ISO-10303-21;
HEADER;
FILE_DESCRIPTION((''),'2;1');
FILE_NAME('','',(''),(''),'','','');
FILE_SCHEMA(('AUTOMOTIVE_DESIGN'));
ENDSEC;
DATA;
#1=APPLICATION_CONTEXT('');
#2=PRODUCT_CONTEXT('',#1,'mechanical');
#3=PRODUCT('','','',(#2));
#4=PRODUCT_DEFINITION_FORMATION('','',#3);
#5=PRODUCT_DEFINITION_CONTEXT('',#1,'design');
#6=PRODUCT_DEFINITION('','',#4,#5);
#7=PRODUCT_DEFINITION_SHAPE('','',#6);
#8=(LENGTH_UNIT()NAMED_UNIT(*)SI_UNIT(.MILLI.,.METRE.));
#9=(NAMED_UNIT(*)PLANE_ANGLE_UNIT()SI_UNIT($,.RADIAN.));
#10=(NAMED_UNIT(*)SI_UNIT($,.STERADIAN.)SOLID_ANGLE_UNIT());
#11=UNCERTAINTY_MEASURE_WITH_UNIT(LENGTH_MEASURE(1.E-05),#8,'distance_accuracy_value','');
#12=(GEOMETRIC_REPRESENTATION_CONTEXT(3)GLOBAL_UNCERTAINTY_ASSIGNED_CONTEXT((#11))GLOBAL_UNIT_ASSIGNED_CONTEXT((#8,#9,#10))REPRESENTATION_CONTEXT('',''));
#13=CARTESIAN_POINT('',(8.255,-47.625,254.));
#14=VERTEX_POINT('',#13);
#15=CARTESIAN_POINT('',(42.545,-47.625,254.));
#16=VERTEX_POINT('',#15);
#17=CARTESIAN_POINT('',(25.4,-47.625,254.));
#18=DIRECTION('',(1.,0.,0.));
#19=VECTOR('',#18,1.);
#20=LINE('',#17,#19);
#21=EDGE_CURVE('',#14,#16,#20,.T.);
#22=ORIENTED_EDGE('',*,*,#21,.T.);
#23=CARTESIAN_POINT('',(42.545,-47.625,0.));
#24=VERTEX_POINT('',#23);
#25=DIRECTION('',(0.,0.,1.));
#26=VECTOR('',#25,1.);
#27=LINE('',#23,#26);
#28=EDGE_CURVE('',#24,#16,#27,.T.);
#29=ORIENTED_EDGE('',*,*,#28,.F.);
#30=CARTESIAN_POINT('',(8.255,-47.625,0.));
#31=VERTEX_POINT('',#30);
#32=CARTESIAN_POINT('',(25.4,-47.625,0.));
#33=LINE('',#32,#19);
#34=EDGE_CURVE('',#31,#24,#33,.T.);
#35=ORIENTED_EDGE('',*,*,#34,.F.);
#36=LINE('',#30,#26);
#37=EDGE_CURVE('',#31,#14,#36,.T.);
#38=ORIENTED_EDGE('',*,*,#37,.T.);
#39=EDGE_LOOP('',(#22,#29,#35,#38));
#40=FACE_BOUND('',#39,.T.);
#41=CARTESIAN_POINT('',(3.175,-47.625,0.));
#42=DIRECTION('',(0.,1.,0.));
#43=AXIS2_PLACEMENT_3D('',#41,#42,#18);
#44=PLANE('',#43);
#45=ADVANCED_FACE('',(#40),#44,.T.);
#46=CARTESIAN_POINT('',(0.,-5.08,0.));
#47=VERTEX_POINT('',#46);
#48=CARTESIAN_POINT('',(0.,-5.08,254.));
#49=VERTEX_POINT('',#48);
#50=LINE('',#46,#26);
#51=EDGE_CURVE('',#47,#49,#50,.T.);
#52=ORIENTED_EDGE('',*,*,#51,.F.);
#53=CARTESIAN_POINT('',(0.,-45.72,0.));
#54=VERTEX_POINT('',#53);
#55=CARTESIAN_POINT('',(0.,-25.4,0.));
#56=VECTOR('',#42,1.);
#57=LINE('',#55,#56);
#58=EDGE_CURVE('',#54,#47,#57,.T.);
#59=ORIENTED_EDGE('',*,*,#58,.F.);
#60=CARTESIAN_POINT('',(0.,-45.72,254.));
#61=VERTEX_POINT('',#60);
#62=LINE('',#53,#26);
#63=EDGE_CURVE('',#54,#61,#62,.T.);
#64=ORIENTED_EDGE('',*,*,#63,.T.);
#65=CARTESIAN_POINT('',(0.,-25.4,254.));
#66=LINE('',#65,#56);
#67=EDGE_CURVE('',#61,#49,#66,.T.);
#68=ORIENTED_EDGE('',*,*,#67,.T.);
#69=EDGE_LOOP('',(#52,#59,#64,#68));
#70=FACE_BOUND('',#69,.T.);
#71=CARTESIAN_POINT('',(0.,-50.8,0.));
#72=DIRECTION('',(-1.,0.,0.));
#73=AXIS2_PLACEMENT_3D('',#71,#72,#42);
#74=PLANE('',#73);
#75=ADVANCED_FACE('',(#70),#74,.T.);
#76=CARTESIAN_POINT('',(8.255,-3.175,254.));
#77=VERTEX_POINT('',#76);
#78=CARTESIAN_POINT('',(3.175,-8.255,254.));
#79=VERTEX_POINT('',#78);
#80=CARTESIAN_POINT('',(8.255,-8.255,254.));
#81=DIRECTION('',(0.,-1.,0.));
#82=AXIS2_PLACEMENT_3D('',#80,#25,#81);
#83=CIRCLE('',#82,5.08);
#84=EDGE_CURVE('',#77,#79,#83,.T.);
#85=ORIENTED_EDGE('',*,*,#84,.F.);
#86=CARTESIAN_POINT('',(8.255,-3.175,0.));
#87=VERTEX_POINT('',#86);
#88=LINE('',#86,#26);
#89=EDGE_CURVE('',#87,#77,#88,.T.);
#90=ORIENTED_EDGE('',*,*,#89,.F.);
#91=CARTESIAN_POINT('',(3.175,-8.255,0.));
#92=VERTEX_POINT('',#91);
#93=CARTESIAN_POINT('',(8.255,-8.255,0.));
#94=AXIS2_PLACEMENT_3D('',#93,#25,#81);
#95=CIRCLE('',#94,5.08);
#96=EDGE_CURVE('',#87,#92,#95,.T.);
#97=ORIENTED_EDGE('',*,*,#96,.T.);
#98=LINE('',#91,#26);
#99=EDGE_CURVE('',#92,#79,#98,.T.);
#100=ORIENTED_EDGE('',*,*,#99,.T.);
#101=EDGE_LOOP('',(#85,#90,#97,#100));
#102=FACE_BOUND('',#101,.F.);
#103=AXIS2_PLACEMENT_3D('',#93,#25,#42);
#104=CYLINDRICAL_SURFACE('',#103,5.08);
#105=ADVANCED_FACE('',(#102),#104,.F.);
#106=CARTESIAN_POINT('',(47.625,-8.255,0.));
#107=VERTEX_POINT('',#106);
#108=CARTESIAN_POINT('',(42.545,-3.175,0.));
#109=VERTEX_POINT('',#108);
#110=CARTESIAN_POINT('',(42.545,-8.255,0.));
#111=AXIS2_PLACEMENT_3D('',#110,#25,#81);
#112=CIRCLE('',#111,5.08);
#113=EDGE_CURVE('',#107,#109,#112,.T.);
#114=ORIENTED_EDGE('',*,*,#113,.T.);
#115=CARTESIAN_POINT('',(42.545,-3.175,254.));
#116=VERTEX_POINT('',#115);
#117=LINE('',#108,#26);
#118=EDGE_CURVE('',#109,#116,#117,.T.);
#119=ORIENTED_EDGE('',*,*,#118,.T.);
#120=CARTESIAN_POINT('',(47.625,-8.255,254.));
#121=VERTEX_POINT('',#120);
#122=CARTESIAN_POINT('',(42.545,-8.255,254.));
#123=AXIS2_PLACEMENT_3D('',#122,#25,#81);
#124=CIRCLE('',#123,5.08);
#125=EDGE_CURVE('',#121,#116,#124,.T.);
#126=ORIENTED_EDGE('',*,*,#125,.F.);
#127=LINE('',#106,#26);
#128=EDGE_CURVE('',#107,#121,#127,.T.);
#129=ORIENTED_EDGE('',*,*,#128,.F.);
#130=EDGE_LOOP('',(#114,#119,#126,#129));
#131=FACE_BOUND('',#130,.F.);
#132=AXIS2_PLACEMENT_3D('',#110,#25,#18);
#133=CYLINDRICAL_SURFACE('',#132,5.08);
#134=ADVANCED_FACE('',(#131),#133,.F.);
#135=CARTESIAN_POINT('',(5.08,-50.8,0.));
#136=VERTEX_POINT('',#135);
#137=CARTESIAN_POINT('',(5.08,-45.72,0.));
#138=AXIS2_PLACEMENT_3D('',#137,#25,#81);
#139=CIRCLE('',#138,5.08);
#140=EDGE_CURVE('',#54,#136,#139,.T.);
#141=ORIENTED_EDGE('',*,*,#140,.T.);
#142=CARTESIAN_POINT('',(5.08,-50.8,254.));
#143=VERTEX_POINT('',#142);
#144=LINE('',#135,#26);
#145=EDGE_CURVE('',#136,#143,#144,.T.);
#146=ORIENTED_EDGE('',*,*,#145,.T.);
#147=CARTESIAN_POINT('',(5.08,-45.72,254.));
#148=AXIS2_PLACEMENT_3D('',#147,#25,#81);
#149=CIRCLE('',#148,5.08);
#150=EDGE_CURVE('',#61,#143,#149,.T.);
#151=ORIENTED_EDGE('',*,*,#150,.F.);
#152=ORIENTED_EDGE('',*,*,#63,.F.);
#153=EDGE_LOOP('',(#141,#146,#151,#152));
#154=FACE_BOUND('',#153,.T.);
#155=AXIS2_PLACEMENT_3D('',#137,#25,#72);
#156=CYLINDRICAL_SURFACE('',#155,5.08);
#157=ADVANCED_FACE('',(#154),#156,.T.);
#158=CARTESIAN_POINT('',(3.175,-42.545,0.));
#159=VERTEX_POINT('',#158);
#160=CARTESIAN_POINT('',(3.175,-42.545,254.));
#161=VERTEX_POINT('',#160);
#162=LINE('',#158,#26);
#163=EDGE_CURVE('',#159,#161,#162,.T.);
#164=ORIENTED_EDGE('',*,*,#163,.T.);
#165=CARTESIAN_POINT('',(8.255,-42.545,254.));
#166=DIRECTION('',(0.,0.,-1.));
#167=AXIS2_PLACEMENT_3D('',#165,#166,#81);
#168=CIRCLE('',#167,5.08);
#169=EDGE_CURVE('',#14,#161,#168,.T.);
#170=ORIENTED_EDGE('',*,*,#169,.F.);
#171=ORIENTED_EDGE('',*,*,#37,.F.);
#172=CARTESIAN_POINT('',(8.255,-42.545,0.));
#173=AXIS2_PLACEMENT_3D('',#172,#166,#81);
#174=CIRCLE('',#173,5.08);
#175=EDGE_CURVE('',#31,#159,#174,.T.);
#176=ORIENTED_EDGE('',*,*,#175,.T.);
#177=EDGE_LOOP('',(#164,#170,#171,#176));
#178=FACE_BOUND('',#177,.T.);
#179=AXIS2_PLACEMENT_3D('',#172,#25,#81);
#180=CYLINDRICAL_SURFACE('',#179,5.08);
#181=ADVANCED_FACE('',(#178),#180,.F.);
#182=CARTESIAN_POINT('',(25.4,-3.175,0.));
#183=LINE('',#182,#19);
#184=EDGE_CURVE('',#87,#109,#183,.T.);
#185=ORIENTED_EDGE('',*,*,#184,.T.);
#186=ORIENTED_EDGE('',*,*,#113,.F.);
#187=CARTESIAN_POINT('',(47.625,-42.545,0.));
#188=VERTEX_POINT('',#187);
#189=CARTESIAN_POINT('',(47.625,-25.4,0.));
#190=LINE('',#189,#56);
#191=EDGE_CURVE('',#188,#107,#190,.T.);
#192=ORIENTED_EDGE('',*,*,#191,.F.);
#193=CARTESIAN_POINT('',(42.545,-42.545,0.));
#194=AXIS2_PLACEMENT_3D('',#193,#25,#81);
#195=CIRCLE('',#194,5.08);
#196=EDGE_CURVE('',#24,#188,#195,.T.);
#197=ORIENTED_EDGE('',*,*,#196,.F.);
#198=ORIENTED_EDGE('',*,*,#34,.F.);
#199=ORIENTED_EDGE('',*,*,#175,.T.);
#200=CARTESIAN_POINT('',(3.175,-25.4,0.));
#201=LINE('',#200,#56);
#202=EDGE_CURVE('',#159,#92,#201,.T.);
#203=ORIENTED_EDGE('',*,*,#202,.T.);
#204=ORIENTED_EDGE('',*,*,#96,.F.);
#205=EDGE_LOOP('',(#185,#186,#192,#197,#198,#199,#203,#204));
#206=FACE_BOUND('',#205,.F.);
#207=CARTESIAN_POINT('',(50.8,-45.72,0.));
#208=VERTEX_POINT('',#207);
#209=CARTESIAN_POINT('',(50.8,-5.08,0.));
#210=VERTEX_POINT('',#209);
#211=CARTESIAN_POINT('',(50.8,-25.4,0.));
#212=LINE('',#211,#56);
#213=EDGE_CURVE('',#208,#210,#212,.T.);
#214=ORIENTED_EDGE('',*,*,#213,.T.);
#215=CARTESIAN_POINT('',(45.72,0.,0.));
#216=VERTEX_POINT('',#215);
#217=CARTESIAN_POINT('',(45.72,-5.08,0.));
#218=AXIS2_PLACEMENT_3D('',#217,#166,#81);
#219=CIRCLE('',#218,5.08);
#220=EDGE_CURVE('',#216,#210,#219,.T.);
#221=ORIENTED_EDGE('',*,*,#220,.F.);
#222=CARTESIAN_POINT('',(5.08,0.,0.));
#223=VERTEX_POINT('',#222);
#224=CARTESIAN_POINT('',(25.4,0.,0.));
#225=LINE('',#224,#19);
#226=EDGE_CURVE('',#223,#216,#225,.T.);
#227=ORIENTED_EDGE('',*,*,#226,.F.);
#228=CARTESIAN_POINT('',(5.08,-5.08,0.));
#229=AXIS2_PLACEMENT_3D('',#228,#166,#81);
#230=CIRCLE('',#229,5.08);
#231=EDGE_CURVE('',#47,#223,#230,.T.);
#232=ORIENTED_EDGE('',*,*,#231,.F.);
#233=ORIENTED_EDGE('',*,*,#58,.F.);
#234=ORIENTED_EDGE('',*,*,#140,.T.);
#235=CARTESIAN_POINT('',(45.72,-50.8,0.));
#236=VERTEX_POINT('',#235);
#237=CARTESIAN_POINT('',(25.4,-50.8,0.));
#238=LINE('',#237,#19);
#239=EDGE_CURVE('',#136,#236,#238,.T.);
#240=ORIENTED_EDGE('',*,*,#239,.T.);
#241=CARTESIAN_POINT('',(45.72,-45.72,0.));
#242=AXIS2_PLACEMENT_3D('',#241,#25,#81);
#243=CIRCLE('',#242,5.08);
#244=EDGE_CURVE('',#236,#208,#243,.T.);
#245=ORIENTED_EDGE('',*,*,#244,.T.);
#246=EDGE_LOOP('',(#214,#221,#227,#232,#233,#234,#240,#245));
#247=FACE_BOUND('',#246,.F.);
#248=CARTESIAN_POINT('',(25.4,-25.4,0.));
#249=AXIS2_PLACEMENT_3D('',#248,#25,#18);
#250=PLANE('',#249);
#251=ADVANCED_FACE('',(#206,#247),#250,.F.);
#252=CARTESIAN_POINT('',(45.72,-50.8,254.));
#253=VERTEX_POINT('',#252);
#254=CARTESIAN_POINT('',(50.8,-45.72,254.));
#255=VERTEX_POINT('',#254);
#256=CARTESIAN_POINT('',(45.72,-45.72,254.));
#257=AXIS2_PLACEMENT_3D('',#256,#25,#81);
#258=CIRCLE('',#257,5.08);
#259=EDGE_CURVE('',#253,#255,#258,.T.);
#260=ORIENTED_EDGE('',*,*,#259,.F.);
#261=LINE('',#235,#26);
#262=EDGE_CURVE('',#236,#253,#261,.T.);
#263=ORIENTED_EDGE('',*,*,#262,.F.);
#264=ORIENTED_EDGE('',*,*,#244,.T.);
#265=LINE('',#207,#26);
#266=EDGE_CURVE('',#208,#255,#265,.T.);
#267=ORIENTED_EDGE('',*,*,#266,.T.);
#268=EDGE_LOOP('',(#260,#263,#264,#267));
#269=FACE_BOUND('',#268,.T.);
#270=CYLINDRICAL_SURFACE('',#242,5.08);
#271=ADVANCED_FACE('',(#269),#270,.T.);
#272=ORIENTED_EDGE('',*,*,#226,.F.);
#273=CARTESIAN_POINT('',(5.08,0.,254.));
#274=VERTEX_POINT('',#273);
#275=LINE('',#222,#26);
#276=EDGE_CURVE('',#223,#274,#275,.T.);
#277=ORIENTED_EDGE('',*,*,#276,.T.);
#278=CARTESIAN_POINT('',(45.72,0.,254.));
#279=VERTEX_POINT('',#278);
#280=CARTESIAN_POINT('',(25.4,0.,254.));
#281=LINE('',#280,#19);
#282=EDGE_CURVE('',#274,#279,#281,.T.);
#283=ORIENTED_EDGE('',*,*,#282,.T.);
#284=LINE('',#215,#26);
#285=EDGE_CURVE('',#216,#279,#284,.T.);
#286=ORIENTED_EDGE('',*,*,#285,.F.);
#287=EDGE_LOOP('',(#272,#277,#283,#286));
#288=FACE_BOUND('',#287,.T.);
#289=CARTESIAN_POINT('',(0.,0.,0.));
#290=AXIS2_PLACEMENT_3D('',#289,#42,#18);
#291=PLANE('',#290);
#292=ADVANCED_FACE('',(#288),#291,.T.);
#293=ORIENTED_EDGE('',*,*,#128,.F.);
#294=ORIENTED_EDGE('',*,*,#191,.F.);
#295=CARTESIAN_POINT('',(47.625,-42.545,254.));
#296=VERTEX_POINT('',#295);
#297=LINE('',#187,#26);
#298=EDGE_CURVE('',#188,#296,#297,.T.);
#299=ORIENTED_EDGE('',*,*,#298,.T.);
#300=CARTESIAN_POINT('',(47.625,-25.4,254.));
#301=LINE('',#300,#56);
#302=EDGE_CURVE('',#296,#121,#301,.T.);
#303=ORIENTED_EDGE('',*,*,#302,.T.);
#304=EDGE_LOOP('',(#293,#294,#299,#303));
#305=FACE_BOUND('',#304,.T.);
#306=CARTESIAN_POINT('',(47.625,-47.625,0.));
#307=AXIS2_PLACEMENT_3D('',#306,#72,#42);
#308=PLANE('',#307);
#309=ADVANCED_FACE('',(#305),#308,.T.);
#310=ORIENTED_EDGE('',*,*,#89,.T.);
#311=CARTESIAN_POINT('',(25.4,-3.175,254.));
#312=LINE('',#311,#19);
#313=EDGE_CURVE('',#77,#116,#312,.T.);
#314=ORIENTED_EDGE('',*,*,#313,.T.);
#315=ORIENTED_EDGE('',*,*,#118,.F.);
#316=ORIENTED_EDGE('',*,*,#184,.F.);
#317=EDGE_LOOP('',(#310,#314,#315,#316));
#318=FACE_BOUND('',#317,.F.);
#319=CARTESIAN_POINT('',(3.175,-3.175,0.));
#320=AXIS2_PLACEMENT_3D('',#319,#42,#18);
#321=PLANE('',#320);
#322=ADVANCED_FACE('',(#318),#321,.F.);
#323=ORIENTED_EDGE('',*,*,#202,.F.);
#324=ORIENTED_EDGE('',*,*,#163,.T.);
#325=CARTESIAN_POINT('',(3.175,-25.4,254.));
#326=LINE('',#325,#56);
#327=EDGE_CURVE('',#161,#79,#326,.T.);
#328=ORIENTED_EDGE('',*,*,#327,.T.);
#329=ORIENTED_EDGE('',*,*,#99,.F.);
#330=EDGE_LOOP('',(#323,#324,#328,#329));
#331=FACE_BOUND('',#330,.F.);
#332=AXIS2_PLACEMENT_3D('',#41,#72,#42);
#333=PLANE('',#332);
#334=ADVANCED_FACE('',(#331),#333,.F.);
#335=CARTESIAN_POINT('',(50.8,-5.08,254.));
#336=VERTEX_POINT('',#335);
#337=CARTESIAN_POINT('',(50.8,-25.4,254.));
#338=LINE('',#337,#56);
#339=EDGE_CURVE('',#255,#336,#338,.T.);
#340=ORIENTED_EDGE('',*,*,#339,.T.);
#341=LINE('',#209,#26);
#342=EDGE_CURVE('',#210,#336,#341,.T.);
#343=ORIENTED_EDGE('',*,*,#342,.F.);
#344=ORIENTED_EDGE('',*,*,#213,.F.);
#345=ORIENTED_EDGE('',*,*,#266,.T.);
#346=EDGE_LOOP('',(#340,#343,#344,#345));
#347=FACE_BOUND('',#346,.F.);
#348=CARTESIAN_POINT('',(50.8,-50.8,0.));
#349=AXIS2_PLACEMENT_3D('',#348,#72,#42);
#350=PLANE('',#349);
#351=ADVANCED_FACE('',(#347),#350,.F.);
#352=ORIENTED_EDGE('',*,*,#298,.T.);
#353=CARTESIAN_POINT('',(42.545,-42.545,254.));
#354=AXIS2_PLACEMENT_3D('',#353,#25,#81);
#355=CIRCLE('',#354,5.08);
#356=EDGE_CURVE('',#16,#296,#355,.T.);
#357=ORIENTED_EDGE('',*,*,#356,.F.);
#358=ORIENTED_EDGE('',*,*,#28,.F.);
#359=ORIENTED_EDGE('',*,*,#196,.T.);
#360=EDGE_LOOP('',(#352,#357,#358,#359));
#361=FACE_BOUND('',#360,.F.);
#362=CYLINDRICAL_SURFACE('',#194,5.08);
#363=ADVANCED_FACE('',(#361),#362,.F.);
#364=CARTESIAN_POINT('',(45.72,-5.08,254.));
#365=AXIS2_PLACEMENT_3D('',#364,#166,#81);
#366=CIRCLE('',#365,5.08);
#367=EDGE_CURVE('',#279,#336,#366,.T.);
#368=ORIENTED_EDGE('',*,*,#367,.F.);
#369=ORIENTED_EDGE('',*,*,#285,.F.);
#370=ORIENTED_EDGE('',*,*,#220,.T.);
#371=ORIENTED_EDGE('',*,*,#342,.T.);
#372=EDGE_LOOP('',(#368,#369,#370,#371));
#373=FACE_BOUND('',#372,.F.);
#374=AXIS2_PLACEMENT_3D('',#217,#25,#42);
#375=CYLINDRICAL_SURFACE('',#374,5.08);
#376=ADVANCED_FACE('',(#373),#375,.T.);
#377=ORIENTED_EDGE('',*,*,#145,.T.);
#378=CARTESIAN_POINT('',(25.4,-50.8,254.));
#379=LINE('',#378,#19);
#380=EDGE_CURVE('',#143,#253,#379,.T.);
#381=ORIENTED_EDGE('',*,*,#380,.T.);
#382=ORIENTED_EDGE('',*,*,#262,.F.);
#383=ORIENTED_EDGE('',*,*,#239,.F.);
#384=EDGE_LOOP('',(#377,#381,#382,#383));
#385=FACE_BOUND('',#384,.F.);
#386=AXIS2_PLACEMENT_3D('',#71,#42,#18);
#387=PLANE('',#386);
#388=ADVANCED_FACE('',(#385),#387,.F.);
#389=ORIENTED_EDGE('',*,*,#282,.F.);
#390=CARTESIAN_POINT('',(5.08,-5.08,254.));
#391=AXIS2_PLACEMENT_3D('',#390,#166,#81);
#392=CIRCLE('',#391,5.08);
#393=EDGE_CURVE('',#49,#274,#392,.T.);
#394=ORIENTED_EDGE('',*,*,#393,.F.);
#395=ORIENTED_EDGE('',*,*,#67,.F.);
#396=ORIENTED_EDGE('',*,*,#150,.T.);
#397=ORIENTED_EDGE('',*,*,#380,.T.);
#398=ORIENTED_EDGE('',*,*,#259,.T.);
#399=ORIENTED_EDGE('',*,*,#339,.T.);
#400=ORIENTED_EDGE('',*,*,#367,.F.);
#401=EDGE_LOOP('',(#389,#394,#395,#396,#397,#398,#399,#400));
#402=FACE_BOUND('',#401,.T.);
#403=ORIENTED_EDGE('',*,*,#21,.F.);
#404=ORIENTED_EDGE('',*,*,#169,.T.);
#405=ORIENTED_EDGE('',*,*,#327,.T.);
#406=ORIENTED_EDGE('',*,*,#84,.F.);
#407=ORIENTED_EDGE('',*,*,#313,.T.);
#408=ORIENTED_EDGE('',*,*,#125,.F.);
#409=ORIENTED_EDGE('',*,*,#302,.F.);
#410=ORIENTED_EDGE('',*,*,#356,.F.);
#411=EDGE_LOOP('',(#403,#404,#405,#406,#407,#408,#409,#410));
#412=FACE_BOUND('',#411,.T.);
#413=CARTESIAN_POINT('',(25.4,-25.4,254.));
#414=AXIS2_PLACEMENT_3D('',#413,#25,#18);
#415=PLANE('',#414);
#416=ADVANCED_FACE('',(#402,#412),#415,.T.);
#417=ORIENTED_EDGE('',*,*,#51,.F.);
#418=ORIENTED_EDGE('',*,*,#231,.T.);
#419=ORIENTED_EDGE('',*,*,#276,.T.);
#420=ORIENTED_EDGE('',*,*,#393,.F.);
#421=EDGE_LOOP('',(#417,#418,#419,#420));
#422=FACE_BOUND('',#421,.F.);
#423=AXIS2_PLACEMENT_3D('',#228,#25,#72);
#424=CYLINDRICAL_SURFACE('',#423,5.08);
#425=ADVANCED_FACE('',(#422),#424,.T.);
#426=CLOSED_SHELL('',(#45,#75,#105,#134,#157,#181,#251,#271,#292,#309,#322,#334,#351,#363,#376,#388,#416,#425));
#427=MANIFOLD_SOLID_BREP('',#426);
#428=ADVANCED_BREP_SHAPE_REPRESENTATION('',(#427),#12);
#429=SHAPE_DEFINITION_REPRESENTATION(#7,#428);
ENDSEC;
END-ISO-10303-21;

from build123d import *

# Parameters (mm, degrees)
F0_W     = 50.8
F0_H     = 50.8
F0_W_2   = 44.45
F0_H_2   = 44.45
F1_DEPTH = 254
F2_R     = 5.08


with BuildPart() as f1:
    # F0 (on Top) → F1 (new body)
    with BuildSketch(Plane.XY):
        with Locations((25.4, -25.4)):
            Rectangle(F0_W, F0_H)
        with Locations((25.4, -25.4)):
            Rectangle(F0_W_2, F0_H_2, mode=Mode.SUBTRACT)
    extrude(amount=F1_DEPTH)

    # F2
    f2_edges = [f1.edges().sort_by_distance(p)[0] for p in [
        (50.8, -50.8, 127),
        (0, -50.8, 127),
        (50.8, 0, 127),
        (0, 0, 127),
        (47.625, -3.175, 127),
        (3.175, -3.175, 127),
        (3.175, -47.625, 127),
        (47.625, -47.625, 127),
    ]]
    fillet(f2_edges, radius=F2_R)


solid = f1.part
